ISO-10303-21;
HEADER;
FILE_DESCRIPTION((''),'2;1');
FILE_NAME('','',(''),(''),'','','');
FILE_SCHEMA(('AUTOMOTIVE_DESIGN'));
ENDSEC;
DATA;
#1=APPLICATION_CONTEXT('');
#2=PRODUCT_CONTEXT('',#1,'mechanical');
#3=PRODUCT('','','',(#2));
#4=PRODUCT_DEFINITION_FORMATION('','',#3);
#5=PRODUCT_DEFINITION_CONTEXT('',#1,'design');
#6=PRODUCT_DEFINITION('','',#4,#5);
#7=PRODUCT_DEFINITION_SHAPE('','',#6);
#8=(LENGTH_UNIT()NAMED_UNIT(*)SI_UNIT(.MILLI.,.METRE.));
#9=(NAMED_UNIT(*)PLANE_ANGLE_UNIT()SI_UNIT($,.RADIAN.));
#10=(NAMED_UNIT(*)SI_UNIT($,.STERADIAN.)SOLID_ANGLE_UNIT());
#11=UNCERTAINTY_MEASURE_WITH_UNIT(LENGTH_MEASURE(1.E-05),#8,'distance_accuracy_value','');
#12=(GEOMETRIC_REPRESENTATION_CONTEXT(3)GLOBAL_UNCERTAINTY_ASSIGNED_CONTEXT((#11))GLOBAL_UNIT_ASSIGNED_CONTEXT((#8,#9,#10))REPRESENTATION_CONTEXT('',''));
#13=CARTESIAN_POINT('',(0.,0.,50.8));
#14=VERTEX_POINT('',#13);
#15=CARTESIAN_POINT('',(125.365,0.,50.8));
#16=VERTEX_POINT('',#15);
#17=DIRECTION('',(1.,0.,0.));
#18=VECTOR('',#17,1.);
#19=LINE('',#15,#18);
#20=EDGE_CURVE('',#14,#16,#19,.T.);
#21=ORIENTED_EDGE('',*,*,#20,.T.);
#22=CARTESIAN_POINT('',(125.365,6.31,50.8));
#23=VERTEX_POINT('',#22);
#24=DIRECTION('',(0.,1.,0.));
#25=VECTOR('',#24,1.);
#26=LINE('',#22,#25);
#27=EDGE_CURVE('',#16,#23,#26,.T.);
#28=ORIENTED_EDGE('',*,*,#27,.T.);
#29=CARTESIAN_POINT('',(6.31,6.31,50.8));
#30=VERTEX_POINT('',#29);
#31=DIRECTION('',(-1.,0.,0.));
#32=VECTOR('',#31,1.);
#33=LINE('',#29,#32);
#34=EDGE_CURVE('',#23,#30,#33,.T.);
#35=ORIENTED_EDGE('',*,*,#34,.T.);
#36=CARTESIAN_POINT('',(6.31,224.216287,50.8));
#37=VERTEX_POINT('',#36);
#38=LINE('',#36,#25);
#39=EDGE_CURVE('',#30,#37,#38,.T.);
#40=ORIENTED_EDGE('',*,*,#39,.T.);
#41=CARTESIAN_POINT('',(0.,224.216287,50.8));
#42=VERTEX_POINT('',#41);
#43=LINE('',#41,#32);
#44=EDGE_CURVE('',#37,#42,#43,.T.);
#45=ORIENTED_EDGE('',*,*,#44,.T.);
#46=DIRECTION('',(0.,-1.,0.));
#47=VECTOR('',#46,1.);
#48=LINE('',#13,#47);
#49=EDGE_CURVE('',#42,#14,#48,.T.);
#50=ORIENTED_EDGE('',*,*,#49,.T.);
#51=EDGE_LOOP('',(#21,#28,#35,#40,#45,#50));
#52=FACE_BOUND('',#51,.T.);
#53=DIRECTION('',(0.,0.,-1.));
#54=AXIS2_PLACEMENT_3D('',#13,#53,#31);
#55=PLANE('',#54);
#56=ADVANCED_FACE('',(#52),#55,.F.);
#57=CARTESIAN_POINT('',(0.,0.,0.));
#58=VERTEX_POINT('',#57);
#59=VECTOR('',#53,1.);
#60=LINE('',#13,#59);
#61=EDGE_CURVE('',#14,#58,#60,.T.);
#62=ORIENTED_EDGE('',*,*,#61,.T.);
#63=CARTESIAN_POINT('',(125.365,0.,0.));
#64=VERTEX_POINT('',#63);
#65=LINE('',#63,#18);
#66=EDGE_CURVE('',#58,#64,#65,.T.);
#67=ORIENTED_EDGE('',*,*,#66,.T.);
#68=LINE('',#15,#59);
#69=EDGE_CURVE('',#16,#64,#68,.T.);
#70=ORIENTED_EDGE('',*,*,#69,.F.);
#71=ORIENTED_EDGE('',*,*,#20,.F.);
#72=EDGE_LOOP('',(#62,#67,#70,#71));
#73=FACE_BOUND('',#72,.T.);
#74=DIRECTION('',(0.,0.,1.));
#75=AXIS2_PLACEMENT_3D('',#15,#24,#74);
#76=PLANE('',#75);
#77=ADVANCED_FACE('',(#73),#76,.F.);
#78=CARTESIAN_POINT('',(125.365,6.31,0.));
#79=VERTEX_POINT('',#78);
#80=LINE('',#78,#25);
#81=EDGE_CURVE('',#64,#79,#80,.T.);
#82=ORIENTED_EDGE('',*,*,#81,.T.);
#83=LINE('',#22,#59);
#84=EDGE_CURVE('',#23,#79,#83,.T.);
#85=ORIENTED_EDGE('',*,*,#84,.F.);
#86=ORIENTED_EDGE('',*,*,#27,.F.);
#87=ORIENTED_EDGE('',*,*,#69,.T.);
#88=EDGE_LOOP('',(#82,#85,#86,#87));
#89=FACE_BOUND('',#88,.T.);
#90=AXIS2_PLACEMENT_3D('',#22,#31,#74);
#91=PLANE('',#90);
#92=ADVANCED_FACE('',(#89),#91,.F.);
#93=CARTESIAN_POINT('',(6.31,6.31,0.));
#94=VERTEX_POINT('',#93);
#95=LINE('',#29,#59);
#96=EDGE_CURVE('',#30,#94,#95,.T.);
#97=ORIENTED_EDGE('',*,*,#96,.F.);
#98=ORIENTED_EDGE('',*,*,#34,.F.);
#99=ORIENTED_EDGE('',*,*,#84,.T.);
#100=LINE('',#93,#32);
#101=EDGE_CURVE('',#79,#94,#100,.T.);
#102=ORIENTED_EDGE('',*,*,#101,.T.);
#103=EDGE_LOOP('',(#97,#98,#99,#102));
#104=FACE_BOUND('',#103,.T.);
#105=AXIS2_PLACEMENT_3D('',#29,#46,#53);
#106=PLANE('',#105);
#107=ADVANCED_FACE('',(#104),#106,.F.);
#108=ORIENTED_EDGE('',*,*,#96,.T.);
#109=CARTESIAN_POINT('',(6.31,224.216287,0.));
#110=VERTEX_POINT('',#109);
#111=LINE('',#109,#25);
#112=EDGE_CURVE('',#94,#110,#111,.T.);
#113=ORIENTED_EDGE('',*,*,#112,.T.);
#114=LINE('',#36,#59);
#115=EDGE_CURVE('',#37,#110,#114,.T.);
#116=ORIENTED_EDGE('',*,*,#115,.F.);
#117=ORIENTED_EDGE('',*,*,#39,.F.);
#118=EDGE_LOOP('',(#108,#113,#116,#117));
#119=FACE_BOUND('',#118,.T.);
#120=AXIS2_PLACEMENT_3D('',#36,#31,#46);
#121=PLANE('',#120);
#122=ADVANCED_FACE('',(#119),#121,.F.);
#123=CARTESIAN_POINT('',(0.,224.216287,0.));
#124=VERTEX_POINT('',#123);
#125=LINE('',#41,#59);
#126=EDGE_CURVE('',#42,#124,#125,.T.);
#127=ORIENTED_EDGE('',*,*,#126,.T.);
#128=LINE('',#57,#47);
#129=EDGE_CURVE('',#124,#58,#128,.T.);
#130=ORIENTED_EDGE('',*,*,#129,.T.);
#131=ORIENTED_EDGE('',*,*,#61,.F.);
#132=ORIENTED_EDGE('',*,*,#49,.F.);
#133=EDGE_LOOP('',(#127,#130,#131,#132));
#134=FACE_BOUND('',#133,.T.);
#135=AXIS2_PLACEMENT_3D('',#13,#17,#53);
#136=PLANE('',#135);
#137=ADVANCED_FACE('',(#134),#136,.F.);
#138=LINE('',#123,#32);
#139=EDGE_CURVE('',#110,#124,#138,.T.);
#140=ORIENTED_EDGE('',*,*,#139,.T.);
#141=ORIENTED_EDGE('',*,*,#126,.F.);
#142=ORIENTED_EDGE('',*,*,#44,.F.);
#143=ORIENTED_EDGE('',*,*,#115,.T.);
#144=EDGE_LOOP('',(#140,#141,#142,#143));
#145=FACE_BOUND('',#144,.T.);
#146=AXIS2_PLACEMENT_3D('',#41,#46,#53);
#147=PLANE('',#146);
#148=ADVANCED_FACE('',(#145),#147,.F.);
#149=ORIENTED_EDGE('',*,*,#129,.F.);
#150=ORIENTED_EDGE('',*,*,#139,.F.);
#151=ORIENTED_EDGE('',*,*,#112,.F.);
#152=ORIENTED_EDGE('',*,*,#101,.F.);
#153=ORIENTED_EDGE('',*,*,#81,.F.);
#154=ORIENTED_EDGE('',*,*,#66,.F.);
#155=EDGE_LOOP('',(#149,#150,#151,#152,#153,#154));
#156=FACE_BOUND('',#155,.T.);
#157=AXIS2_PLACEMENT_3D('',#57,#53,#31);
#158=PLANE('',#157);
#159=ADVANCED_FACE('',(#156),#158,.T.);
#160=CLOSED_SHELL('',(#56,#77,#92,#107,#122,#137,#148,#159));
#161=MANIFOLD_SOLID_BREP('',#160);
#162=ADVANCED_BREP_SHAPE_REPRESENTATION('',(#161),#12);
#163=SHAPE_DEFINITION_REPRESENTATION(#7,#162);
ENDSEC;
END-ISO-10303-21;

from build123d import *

# Parameters (mm, degrees)
SALIENTE_EXTRUIR1_DEPTH = 50.8


with BuildPart() as part:
    # Croquis1 → Saliente-Extruir1 (new body)
    with BuildSketch(Plane.XY):
        Polygon((125.365, 6.31), (125.365, 0), (0, 0), (0, 224.21628726), (6.31, 224.21628726), (6.31, 6.31), align=None)
    extrude(amount=SALIENTE_EXTRUIR1_DEPTH)


solid = part.part
